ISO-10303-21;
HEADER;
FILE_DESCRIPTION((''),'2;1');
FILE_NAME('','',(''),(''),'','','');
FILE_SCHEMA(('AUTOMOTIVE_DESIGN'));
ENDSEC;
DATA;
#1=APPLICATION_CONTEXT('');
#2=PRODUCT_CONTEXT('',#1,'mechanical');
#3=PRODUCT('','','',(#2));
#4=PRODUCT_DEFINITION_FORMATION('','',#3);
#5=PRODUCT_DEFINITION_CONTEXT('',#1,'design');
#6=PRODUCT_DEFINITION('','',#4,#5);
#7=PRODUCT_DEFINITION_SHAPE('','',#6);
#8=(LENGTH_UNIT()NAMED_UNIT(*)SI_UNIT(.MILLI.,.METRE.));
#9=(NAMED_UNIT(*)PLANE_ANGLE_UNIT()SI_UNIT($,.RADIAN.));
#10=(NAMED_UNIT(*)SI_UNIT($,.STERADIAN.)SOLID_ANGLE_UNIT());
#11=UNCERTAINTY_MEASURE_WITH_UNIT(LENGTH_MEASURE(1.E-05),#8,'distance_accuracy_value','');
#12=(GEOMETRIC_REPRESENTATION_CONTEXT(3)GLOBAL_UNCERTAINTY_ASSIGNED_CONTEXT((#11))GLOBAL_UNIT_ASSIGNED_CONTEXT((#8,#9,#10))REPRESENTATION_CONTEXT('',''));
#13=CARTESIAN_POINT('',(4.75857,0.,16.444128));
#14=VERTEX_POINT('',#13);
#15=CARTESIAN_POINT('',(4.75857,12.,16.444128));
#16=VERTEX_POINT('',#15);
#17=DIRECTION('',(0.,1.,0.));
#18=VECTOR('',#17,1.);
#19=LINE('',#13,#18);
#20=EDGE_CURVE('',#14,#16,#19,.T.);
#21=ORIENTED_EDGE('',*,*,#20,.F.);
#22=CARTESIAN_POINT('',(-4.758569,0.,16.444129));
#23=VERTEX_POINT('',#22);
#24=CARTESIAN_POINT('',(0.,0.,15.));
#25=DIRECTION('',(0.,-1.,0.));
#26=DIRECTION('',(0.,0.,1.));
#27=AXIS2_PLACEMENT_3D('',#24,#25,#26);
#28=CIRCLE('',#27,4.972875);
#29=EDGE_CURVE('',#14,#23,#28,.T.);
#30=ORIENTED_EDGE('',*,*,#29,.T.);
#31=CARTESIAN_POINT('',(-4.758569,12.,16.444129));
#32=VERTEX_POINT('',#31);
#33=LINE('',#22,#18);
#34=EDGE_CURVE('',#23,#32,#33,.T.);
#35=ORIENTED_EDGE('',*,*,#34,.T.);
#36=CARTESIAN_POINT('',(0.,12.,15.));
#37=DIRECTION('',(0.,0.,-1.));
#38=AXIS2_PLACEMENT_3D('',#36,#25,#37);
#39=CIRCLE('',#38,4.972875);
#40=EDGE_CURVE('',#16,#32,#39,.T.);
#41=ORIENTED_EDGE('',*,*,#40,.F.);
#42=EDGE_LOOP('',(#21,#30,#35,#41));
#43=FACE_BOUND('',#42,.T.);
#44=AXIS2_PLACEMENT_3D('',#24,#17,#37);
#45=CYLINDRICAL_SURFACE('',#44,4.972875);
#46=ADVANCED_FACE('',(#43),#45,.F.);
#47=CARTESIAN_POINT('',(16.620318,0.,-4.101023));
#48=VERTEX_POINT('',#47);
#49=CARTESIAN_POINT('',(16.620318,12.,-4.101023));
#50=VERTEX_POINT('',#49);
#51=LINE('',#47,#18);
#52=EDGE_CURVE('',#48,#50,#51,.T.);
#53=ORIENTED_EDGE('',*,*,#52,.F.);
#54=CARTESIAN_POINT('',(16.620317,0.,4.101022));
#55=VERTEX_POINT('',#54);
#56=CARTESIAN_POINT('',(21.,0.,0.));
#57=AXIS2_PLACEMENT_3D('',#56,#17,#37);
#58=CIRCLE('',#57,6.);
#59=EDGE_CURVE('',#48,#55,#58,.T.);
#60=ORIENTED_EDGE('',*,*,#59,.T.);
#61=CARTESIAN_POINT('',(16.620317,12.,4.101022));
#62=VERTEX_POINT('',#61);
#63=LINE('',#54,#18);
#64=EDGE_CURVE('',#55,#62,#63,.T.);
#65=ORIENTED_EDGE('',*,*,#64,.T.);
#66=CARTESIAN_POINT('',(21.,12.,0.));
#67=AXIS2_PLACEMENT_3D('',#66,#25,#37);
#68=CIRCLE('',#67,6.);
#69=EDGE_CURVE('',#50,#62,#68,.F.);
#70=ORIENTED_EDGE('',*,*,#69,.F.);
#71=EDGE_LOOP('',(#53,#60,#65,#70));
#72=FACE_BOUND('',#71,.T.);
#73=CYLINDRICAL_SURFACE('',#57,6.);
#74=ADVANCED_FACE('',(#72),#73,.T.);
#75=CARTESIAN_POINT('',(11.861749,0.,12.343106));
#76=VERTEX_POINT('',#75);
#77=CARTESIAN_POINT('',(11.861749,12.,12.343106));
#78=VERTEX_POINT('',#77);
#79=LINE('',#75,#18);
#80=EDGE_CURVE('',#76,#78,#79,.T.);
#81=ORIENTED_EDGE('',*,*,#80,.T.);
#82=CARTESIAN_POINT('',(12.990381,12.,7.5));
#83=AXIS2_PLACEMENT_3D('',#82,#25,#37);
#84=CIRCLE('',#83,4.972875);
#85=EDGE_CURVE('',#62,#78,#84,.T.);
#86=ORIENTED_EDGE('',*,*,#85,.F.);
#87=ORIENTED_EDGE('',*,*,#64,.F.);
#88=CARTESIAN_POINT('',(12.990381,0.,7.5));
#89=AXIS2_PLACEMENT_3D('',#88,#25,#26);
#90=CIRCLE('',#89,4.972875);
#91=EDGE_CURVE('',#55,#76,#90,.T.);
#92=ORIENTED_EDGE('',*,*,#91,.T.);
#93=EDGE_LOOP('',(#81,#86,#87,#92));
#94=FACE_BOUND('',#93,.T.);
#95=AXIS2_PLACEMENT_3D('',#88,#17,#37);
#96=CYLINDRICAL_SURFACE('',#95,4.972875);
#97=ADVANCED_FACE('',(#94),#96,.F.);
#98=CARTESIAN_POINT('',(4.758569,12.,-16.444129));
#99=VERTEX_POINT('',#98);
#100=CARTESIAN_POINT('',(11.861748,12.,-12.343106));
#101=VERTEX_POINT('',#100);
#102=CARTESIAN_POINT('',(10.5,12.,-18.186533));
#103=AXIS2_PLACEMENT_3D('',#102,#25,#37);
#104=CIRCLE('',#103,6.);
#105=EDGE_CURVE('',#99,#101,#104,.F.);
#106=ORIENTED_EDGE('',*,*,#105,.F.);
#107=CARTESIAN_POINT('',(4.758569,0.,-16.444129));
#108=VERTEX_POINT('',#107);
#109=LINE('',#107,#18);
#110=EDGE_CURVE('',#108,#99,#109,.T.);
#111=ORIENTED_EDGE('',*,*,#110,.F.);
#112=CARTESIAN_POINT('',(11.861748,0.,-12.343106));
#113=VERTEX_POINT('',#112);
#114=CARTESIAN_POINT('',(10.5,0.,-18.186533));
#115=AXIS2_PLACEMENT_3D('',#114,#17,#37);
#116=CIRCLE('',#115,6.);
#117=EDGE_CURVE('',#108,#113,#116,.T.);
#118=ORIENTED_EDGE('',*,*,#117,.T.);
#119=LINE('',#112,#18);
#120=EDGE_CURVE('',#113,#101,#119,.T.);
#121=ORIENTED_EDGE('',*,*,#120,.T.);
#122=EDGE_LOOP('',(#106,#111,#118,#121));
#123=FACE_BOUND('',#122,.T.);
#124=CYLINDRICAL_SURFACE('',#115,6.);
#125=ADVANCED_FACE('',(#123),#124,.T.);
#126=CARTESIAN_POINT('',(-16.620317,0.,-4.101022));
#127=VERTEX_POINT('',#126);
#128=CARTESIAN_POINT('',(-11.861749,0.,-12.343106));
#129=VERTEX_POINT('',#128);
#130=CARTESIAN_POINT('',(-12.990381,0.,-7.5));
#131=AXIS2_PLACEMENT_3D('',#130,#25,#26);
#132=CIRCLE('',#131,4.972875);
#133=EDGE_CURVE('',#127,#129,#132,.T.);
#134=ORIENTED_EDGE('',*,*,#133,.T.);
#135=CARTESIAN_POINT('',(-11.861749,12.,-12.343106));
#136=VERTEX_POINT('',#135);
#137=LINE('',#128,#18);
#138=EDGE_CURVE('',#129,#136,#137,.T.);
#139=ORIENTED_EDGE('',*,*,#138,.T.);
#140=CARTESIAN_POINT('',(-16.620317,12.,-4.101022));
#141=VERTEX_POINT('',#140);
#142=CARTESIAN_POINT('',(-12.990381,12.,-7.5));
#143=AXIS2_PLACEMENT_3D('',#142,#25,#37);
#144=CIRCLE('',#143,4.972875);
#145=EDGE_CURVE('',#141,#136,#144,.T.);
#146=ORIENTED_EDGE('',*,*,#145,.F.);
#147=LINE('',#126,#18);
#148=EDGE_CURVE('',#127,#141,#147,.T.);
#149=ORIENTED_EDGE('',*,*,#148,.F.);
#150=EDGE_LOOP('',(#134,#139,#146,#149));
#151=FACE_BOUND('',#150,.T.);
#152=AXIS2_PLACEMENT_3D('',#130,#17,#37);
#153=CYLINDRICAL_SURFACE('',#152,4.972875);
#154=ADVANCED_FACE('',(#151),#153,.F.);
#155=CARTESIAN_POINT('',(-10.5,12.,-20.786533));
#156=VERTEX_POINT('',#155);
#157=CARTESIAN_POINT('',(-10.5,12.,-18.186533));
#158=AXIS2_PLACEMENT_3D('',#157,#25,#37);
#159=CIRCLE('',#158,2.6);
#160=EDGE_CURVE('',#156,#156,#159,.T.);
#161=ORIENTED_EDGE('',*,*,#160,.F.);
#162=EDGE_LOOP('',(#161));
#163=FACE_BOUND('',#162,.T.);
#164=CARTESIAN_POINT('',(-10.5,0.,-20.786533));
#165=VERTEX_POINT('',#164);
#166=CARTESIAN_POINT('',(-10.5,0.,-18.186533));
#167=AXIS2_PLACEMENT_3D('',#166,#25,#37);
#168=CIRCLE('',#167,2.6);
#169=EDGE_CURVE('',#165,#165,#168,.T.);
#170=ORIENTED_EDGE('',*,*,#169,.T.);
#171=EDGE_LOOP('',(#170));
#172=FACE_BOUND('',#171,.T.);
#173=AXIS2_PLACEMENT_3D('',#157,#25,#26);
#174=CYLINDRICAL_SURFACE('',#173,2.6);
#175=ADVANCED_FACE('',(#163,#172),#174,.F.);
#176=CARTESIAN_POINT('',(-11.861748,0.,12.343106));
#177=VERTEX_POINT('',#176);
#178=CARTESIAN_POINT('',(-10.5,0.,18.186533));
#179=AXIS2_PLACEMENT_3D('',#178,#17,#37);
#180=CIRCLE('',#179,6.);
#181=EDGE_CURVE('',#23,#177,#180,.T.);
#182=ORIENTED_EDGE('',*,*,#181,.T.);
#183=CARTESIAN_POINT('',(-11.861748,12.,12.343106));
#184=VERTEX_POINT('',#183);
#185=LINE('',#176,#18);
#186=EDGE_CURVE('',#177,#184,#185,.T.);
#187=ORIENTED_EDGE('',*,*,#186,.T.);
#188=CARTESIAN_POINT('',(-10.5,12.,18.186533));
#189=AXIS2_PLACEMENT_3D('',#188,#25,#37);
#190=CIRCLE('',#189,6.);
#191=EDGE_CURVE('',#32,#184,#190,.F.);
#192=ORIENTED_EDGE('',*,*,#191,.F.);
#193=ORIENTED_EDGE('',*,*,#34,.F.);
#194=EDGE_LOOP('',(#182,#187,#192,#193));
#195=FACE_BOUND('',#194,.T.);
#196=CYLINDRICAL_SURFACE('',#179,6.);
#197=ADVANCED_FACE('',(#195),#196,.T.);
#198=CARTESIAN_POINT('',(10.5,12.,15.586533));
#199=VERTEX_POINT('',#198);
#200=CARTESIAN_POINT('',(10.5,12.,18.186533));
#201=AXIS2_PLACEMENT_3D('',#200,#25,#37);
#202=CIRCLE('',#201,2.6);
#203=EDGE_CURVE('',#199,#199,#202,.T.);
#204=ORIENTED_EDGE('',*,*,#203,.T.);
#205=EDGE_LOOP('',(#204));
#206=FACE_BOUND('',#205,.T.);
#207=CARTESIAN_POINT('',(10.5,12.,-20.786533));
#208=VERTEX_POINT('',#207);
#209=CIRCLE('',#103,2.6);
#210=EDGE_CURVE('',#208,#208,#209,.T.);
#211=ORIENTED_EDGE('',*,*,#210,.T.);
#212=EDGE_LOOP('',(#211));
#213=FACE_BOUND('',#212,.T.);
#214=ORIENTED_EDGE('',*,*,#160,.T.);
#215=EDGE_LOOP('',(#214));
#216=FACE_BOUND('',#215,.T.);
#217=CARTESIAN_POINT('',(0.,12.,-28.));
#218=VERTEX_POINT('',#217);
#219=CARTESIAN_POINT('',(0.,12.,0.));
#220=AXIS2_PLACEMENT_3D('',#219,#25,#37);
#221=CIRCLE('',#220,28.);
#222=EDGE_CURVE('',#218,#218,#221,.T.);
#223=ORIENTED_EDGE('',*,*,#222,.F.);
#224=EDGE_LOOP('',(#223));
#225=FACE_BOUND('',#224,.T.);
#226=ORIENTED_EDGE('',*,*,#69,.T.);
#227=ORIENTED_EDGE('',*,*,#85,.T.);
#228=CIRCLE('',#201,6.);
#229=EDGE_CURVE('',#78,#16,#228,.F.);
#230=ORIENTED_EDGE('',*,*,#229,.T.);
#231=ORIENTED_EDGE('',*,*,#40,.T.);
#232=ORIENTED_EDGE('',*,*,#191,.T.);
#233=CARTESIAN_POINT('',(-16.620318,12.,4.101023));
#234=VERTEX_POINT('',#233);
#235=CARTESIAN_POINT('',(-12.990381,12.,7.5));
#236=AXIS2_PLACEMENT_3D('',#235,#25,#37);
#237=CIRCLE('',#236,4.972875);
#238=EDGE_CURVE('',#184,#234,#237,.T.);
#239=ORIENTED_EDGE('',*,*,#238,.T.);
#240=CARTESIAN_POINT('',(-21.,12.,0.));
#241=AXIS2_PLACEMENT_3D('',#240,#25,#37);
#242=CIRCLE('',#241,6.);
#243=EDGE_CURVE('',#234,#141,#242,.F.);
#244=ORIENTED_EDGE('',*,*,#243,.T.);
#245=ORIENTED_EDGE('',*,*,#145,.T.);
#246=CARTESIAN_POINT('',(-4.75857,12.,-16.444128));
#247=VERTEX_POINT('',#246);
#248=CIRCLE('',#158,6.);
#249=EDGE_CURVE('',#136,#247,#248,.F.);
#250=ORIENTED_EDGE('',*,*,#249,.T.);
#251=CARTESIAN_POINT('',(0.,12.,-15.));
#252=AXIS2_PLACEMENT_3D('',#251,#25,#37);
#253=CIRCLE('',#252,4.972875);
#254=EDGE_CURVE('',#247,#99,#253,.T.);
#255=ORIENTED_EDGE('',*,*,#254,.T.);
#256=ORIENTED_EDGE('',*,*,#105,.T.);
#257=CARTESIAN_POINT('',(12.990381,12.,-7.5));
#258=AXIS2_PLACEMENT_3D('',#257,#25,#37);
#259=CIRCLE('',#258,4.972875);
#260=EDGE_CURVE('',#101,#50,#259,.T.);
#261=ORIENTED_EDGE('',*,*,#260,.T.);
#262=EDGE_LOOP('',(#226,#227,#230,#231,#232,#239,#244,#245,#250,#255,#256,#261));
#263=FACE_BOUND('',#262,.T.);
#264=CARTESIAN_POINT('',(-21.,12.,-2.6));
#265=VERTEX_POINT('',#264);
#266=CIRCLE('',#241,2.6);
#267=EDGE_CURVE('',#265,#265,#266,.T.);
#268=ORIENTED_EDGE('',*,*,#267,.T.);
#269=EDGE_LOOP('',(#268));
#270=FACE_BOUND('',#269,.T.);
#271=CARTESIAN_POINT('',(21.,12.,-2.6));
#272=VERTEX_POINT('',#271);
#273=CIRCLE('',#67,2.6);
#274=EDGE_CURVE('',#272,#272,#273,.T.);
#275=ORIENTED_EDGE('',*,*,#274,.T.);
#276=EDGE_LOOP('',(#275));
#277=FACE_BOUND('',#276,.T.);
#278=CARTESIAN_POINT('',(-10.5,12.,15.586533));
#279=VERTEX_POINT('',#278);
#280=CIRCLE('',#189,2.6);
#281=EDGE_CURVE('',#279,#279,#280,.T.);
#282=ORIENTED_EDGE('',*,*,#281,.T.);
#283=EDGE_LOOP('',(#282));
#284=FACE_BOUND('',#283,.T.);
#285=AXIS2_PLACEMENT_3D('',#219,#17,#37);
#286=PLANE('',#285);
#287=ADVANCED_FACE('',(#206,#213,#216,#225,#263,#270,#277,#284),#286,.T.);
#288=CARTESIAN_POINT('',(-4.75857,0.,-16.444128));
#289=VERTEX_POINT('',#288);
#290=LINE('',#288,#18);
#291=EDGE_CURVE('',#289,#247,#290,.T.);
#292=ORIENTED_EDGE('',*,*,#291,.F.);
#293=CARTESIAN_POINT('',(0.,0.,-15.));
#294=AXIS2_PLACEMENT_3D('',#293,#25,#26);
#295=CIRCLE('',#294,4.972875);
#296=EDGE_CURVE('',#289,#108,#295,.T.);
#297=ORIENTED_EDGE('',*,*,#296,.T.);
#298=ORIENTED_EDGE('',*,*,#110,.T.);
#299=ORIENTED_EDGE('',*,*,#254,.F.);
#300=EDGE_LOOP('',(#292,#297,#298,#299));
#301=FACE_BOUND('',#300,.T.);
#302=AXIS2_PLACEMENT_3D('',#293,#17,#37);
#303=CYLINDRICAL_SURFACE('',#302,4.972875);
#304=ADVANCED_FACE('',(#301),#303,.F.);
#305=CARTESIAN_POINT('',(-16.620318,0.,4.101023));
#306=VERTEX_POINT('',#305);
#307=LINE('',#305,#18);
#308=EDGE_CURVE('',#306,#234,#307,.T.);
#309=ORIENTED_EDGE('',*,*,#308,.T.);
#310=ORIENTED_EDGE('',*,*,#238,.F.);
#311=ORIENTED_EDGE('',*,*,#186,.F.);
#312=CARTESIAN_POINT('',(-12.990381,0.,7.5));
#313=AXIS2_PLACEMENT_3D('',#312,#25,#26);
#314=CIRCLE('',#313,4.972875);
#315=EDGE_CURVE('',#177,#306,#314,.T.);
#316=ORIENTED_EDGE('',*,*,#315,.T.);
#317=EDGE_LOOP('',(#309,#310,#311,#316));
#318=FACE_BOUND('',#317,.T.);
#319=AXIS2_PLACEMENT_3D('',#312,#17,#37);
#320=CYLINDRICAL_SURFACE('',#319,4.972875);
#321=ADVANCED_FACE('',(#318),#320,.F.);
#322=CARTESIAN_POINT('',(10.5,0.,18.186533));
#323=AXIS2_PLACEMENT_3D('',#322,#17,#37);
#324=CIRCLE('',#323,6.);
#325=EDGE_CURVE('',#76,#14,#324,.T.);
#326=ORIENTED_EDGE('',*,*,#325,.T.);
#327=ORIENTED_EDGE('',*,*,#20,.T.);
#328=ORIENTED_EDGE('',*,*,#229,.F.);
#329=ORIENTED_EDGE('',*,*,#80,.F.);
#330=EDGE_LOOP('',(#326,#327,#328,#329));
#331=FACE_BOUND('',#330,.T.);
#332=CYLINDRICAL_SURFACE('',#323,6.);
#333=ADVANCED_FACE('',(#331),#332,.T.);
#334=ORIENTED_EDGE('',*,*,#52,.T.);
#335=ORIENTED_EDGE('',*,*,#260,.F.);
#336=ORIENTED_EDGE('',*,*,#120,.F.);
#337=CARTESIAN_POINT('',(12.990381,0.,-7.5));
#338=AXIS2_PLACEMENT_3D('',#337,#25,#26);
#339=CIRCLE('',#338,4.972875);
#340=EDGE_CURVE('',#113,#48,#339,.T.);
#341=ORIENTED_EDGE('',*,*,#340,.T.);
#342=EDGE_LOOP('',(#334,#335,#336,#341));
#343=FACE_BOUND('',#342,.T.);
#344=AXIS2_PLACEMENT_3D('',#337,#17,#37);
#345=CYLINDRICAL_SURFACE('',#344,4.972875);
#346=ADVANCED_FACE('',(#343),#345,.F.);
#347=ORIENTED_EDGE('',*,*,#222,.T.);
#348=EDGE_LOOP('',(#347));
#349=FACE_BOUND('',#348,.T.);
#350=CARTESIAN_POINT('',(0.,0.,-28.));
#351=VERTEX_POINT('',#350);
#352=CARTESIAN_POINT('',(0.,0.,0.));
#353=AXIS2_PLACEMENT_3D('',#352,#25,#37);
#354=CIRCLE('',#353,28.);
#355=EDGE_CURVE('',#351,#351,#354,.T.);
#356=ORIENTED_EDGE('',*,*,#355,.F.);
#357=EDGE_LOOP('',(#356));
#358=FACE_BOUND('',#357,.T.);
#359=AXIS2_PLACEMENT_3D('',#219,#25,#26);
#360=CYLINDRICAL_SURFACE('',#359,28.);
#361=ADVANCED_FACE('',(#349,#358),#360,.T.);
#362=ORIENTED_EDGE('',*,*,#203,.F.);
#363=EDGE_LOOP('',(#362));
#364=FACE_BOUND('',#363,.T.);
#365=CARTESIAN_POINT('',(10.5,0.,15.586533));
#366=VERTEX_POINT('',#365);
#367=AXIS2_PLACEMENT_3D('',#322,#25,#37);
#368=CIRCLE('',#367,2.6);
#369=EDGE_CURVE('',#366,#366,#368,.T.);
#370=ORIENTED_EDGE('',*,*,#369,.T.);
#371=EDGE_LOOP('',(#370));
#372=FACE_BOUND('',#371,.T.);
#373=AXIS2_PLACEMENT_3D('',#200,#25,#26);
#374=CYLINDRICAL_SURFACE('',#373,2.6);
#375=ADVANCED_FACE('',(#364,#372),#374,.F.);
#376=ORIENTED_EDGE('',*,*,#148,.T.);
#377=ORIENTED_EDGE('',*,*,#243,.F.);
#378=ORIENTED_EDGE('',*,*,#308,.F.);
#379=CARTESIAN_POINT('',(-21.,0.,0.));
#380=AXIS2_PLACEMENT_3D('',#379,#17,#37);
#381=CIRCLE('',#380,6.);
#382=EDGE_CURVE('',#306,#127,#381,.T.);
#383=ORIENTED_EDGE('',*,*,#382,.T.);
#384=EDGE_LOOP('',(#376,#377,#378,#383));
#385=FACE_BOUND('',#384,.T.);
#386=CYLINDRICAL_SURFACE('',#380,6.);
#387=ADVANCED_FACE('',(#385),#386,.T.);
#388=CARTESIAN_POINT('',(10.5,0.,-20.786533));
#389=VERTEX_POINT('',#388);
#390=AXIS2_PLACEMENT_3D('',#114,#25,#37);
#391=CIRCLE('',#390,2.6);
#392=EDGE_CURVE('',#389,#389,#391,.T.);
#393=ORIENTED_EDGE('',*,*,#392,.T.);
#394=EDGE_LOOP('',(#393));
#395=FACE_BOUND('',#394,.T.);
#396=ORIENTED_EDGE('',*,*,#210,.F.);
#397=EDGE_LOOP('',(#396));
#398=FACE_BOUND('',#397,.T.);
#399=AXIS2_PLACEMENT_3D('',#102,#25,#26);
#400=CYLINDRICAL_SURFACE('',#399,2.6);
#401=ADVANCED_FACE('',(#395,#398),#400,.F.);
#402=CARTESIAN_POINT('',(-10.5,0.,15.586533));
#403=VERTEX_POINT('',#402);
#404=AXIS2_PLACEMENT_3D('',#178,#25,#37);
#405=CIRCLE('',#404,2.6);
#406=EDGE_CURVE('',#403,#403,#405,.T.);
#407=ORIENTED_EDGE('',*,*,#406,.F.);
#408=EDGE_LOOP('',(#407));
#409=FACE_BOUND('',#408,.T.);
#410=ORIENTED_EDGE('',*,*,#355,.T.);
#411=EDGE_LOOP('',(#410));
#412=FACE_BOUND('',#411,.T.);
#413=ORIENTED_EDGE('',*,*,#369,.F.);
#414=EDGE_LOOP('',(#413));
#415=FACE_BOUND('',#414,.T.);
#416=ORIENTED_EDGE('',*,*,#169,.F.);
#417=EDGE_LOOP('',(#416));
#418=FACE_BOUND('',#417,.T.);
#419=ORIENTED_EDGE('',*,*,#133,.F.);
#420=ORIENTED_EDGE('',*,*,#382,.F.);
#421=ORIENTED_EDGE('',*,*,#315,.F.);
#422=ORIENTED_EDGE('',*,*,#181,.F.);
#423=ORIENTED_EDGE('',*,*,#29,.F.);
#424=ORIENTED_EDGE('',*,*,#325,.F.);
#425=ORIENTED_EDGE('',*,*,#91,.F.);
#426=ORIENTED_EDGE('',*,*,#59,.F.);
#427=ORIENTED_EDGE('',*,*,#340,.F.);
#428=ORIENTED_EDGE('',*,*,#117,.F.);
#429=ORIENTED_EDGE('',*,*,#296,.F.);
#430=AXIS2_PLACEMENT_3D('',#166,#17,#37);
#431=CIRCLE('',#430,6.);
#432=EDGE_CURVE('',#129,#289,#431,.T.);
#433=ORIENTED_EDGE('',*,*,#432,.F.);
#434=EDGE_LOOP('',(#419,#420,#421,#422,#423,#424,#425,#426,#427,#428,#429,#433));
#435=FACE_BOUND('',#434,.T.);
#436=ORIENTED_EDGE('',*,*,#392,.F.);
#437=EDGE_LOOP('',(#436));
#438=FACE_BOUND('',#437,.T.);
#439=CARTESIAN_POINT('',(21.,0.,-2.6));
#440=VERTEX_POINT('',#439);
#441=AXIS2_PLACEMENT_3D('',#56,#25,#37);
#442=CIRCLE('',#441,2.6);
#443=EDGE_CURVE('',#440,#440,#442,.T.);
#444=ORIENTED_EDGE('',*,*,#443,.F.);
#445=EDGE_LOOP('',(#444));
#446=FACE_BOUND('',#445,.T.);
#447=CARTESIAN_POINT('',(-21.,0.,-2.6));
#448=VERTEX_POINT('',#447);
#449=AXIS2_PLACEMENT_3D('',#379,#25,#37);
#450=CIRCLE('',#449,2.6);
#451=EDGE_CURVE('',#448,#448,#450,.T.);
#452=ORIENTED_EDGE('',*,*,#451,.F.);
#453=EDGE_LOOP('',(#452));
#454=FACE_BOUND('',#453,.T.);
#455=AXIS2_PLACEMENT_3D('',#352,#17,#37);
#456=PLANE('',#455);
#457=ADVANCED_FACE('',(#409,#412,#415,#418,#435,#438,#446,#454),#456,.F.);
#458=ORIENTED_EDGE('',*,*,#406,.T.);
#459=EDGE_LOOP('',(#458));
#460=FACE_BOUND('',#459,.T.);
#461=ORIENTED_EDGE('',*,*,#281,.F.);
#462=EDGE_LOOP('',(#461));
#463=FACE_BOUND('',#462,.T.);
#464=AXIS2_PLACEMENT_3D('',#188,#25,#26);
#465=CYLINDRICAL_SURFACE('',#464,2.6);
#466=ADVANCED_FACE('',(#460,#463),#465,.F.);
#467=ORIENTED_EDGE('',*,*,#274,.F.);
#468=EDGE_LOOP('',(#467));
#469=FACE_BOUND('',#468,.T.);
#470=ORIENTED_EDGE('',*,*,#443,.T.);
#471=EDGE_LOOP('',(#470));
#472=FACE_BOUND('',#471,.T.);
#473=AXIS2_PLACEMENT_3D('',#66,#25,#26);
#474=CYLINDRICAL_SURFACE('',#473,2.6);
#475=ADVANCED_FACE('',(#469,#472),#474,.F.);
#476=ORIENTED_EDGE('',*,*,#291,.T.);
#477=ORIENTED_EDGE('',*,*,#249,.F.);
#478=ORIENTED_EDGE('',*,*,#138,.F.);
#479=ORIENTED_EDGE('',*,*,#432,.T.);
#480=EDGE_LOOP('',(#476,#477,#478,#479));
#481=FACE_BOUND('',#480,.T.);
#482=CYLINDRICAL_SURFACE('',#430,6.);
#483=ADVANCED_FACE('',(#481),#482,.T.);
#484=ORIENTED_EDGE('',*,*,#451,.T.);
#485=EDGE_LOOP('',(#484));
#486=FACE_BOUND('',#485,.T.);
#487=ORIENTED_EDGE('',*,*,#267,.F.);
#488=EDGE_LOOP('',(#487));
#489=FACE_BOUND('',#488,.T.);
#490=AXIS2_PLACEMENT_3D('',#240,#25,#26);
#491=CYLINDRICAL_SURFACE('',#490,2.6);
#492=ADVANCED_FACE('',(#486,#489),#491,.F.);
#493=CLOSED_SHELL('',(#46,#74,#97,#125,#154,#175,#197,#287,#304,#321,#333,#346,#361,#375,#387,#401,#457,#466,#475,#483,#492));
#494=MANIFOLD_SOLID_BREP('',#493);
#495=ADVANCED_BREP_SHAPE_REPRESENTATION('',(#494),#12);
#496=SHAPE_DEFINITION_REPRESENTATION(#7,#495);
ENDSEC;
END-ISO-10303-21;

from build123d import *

# Parameters (mm, degrees)
SKETCH_1_R               = 28
SKETCH_1_R_2             = 2.6
EXTRUDE_1_DEPTH          = 12
CUT_EXTRUDE_2_DEPTH      = 1
CUT_EXTRUDE_2_DEPTH_BACK = 13


with BuildPart() as part:
    # 草图1 → 凸台-拉伸1 (new body)
    with BuildSketch(Plane(origin=(0, 0, 0), x_dir=(1, 0, 0), z_dir=(0, 1, 0))):
        Circle(SKETCH_1_R)
        with Locations((10.5, 18.186533479)):
            Circle(SKETCH_1_R_2, mode=Mode.SUBTRACT)
        with Locations((21, 0)):
            Circle(SKETCH_1_R_2, mode=Mode.SUBTRACT)
        with Locations((10.5, -18.186533479)):
            Circle(SKETCH_1_R_2, mode=Mode.SUBTRACT)
        with Locations((-10.5, -18.186533479)):
            Circle(SKETCH_1_R_2, mode=Mode.SUBTRACT)
        with Locations((-21, 0)):
            Circle(SKETCH_1_R_2, mode=Mode.SUBTRACT)
        with Locations((-10.5, 18.186533479)):
            Circle(SKETCH_1_R_2, mode=Mode.SUBTRACT)
    extrude(amount=EXTRUDE_1_DEPTH)

    # 草图4 → 切除-拉伸2 (cut, two sides)
    with BuildSketch(Plane(origin=(0, 12, 0), x_dir=(1, 0, 0), z_dir=(0, 1, 0))) as cut_extrude_2_sk:
        with BuildLine():
            ThreePointArc((4.758569662, 16.444127766), (7.500000636, 12.99038069), (11.861748987, 12.343106429))
            ThreePointArc((11.861748987, 12.343106429), (17.297017892, 9.986437089), (16.620317219, 4.10102167))
            ThreePointArc((16.620317219, 4.10102167), (15, -7.34e-07), (16.620318223, -4.101022742))
            ThreePointArc((16.620318223, -4.101022742), (17.297017158, -9.98643836), (11.861747557, -12.343106096))
            ThreePointArc((11.861747557, -12.343106096), (7.499999364, -12.990381424), (4.758569235, -16.444129171))
            ThreePointArc((4.758569235, -16.444129171), (-7.34e-07, -19.972875449), (-4.758569662, -16.444127766))
            ThreePointArc((-4.758569662, -16.444127766), (-7.500000636, -12.99038069), (-11.861748987, -12.343106429))
            ThreePointArc((-11.861748987, -12.343106429), (-17.297017892, -9.986437089), (-16.620317219, -4.10102167))
            ThreePointArc((-16.620317219, -4.10102167), (-15, 7.34e-07), (-16.620318223, 4.101022742))
            ThreePointArc((-16.620318223, 4.101022742), (-17.297017158, 9.98643836), (-11.861747557, 12.343106096))
            ThreePointArc((-11.861747557, 12.343106096), (-7.499999364, 12.990381424), (-4.758569235, 16.444129171))
            ThreePointArc((-4.758569235, 16.444129171), (7.34e-07, 19.972875449), (4.758569662, 16.444127766))
        make_face()
    extrude(amount=CUT_EXTRUDE_2_DEPTH, mode=Mode.SUBTRACT)
    extrude(cut_extrude_2_sk.sketch, amount=-CUT_EXTRUDE_2_DEPTH_BACK, mode=Mode.SUBTRACT)


solid = part.part
